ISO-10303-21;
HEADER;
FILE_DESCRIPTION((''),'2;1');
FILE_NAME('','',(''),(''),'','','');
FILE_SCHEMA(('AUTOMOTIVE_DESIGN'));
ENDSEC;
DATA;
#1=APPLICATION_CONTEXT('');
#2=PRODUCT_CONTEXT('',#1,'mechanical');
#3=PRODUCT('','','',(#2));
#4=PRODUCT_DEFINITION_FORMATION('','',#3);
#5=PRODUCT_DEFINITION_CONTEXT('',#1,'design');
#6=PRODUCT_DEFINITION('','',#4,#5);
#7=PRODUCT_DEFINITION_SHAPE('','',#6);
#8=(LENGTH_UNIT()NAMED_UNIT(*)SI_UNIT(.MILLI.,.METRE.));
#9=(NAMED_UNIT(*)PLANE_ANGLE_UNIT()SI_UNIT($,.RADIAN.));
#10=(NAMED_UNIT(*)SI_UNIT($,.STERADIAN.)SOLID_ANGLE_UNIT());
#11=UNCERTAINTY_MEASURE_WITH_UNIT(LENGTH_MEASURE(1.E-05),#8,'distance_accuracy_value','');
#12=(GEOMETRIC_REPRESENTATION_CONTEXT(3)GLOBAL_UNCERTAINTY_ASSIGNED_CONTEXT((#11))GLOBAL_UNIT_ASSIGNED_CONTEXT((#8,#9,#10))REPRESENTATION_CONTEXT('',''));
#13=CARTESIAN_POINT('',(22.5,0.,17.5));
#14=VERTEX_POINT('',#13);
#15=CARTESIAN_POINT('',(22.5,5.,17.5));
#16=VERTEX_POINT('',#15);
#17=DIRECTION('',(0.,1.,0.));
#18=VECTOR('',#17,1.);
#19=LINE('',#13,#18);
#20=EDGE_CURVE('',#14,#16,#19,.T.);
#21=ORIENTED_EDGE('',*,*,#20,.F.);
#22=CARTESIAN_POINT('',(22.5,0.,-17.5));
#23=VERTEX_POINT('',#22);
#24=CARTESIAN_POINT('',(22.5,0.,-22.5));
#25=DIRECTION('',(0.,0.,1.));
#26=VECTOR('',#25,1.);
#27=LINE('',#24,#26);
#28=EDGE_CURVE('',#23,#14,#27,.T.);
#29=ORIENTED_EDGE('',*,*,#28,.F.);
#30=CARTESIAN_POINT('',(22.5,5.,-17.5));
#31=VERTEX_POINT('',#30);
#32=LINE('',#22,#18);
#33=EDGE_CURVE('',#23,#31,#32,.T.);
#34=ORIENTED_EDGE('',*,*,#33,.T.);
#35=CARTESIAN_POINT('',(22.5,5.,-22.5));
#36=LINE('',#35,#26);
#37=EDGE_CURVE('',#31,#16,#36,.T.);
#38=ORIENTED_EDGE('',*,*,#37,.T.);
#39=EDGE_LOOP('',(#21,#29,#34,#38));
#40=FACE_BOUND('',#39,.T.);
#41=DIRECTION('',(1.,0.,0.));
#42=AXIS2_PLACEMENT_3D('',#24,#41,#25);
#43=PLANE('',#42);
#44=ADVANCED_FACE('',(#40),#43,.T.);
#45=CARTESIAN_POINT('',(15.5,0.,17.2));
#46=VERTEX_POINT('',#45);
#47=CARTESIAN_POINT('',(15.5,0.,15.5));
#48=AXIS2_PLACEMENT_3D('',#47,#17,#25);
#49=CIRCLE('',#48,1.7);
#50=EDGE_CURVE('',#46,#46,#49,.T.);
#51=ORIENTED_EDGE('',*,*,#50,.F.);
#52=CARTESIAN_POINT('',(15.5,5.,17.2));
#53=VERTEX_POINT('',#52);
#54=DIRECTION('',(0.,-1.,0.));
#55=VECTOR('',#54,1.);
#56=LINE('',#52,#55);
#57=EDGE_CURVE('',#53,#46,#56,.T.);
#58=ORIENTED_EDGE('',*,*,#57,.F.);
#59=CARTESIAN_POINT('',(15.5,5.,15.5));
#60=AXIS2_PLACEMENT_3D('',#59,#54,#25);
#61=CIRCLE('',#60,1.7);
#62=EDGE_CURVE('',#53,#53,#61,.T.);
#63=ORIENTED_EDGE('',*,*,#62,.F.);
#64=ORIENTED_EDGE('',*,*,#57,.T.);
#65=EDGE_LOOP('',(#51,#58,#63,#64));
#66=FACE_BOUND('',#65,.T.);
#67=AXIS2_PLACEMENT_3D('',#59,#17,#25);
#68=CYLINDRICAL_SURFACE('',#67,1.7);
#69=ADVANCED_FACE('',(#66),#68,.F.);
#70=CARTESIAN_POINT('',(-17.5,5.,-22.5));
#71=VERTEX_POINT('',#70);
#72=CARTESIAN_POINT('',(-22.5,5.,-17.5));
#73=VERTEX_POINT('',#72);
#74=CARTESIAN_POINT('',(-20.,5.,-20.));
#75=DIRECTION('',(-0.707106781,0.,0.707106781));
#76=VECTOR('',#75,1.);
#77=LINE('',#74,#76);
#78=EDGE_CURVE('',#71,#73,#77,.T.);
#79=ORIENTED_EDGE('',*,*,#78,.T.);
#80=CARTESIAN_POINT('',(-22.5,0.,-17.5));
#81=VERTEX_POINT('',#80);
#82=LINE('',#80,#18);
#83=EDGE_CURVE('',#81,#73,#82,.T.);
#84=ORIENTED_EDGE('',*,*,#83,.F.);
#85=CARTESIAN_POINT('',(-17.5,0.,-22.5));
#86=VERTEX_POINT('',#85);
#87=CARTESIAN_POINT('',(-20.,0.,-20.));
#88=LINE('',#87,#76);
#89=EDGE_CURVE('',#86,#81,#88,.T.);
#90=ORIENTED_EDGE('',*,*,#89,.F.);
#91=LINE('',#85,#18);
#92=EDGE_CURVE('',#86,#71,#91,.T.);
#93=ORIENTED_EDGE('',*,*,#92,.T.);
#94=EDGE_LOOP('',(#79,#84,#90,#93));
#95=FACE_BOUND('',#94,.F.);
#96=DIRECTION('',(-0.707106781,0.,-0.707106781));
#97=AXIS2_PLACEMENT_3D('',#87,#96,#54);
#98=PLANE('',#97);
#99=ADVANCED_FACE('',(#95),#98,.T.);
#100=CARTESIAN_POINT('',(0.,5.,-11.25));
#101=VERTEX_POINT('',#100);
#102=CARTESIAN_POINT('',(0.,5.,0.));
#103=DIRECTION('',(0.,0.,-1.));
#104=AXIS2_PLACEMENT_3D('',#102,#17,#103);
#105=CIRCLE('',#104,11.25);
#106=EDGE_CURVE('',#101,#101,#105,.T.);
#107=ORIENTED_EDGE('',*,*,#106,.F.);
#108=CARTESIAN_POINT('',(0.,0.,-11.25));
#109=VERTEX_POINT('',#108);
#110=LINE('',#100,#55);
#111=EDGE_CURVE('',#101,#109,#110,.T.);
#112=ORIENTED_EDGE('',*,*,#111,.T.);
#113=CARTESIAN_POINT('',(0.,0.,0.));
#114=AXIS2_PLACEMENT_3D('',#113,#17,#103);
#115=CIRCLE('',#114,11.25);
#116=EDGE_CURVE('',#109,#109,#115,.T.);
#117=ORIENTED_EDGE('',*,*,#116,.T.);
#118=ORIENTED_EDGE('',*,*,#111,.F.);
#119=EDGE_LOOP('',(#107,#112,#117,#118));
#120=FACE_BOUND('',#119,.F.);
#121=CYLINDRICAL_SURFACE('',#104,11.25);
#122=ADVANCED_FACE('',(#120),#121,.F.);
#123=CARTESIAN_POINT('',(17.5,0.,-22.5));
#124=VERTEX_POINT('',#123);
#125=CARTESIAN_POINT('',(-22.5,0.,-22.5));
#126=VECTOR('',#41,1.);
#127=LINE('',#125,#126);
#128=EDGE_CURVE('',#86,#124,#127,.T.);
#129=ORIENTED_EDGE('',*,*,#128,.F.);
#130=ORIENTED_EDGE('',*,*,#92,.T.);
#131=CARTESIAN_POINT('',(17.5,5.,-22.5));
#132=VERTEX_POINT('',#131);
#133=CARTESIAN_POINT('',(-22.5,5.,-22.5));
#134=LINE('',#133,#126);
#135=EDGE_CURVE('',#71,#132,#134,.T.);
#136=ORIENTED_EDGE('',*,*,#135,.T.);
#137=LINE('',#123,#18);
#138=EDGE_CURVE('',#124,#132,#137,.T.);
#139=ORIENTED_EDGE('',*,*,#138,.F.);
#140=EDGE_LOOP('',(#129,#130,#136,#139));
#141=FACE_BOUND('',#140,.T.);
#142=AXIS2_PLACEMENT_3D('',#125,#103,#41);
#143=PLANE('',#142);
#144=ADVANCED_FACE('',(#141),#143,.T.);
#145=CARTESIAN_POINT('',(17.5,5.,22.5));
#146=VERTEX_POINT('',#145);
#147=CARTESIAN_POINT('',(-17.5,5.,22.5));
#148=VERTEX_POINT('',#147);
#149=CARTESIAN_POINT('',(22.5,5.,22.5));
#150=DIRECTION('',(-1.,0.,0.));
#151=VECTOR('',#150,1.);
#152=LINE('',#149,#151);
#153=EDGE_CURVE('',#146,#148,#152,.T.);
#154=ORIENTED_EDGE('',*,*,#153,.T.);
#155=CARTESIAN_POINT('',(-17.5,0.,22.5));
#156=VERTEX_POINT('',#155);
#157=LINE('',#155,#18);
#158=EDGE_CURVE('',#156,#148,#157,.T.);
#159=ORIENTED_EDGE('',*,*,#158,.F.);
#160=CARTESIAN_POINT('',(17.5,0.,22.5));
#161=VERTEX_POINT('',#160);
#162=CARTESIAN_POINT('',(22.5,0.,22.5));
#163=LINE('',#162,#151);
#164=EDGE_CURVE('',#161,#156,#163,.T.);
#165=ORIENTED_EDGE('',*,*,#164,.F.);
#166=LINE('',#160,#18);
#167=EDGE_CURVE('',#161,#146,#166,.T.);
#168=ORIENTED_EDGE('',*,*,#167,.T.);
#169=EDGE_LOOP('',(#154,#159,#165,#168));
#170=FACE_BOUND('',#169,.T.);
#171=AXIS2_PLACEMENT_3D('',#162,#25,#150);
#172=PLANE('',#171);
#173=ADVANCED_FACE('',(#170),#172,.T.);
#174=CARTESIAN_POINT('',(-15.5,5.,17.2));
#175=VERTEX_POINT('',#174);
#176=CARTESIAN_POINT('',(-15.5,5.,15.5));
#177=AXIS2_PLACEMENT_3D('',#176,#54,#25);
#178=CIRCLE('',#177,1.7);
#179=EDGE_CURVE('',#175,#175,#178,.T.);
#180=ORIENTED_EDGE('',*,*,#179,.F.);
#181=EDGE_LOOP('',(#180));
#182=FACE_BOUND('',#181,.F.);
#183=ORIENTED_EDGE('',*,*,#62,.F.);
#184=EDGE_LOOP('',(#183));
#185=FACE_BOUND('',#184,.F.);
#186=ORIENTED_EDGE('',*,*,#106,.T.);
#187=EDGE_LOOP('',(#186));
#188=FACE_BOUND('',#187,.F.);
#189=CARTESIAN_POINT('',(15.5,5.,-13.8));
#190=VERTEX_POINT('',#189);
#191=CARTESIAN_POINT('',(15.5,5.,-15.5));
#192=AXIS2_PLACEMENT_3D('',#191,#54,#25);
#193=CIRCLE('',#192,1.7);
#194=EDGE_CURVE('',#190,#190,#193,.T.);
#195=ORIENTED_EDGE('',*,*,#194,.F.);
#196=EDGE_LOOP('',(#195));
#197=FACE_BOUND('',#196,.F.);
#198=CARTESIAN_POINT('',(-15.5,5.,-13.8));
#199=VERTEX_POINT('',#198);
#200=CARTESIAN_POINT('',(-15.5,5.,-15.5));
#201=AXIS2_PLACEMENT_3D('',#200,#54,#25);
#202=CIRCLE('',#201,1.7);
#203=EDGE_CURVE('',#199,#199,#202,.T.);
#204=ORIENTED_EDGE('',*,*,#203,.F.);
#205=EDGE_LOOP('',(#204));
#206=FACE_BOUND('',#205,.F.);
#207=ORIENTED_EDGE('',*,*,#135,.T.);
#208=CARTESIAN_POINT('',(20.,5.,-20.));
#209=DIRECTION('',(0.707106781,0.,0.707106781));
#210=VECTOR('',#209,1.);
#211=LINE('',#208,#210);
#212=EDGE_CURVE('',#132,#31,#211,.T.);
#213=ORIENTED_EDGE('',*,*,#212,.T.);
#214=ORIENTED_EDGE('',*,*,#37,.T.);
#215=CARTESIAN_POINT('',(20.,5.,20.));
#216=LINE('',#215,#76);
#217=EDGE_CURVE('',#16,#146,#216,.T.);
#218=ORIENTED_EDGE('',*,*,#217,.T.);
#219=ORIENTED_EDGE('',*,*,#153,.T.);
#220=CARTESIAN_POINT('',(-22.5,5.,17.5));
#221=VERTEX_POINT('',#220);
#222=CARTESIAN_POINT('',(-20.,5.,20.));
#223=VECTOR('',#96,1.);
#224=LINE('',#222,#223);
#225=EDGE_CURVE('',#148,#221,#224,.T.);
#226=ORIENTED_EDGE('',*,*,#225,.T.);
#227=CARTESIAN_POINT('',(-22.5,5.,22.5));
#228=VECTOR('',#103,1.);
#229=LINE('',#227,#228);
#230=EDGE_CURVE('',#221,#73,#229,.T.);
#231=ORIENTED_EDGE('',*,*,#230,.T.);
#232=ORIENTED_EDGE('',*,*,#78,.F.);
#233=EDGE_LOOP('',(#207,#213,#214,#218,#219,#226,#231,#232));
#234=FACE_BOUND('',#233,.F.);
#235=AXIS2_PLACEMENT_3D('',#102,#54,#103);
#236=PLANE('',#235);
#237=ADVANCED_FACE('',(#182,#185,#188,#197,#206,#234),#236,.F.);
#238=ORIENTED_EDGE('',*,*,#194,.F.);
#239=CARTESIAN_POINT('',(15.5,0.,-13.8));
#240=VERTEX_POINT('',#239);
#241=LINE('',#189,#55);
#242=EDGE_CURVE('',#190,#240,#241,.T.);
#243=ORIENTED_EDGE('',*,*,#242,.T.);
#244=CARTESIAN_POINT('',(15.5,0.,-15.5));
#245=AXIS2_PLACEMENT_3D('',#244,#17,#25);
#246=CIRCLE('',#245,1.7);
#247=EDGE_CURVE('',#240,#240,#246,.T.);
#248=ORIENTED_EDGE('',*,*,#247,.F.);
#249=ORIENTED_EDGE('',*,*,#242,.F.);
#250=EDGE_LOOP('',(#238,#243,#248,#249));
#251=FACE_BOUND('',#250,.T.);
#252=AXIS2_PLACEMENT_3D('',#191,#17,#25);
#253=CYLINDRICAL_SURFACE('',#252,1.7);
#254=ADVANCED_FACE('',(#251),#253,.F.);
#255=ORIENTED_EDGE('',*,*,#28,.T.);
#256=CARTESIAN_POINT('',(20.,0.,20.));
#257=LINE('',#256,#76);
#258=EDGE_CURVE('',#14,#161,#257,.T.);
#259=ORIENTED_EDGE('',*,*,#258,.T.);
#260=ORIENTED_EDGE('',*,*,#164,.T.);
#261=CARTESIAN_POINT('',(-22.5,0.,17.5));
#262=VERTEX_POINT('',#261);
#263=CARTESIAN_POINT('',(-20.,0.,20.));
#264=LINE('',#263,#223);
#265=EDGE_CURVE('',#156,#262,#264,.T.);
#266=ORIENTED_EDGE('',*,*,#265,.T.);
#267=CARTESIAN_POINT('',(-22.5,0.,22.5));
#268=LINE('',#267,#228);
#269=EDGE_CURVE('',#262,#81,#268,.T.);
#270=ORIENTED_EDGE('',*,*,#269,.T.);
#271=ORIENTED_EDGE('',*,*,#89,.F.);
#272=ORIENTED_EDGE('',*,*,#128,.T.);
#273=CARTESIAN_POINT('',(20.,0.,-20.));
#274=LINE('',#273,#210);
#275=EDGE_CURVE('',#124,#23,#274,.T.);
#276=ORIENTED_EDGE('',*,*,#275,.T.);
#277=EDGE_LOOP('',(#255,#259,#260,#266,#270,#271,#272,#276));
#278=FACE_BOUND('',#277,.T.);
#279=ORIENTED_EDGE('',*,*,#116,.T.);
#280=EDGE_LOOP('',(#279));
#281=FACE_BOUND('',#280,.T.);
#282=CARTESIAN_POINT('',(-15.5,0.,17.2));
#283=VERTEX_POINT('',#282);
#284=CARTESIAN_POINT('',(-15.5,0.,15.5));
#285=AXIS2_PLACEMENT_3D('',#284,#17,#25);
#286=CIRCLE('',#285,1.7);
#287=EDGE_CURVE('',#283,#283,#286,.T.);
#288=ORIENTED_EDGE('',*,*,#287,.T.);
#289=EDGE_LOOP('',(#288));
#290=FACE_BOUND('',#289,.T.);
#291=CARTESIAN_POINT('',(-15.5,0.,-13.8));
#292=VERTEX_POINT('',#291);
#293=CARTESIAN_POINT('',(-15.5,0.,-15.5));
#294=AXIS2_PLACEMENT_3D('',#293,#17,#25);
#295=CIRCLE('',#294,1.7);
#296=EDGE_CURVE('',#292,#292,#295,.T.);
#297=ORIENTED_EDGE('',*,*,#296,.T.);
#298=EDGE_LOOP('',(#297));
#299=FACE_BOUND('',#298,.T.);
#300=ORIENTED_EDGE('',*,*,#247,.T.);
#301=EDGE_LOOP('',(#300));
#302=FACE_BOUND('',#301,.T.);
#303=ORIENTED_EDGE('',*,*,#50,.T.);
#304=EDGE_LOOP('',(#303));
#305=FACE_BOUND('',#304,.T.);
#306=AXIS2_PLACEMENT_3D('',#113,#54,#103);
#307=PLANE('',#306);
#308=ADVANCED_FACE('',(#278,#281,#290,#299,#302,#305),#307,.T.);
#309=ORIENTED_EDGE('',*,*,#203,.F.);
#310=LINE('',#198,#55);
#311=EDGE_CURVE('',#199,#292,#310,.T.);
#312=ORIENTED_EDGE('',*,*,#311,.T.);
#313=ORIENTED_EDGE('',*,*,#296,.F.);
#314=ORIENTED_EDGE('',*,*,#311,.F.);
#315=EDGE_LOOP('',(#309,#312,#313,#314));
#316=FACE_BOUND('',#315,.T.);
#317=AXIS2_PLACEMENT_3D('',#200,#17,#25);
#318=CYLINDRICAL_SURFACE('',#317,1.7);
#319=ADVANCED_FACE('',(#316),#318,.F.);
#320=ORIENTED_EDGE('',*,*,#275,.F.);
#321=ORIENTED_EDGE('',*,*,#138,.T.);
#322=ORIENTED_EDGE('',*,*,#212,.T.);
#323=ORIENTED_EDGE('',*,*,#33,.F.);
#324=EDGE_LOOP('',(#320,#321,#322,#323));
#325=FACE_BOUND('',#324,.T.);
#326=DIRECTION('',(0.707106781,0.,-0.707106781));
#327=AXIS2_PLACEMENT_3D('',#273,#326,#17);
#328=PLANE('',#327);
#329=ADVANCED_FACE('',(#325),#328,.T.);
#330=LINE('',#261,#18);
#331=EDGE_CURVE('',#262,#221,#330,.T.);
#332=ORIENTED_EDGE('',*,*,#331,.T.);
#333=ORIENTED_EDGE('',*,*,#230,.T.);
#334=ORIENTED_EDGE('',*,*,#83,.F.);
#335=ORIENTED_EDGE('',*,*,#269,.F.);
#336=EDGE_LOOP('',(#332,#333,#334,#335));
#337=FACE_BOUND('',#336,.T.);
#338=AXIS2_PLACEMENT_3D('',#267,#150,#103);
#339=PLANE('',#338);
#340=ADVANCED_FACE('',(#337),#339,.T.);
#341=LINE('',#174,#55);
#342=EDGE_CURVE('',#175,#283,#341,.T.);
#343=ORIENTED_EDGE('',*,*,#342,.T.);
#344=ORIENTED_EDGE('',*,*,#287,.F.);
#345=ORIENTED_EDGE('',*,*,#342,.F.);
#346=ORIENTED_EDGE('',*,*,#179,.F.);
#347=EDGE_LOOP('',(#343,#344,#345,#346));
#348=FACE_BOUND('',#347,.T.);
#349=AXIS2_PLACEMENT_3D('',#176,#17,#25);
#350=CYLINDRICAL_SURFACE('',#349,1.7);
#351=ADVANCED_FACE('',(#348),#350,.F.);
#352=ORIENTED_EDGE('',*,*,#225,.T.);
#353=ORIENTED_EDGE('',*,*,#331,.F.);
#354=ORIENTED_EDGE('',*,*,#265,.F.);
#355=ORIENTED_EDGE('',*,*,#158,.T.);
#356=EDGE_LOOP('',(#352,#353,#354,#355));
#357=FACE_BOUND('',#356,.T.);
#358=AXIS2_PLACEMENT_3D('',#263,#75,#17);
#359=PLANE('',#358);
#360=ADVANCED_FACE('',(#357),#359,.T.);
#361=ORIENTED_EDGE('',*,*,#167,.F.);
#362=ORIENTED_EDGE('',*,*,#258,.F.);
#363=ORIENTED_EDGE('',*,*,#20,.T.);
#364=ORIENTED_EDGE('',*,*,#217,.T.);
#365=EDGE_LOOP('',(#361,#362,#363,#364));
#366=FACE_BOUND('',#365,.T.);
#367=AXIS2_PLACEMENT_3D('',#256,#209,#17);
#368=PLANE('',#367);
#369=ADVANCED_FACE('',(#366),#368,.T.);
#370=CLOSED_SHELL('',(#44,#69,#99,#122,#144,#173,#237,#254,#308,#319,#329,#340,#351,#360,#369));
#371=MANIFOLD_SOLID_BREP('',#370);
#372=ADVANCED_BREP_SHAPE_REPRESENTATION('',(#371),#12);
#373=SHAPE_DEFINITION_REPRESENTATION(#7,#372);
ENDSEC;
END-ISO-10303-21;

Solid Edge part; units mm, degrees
sketch "Sketch1" plane through (0, 0, 0) normal (0, -1, 0) x (1, 0, 0)
  line L0 (-22.5, -22.5) -> (22.5, -22.5)
  line L1 (22.5, -22.5) -> (22.5, 22.5)
  line L2 (22.5, 22.5) -> (-22.5, 22.5)
  line L3 (-22.5, 22.5) -> (-22.5, -22.5)
  dimension "D1" = 45
extrude "Protrusion1" add sketch "Sketch1" against normal blind 5
chamfer "Chamfer_1" distance 5 angle 45 4 edges at (22.5, 2.5, 22.5) (22.5, 2.5, -22.5) (-22.5, 2.5, 22.5) (-22.5, 2.5, -22.5)
hole "Hole_1" at (-15.5, 5, 15.5) direction (0, -1, 0) diameter 3.4 end up to next
hole "Hole1" at (-15.5, 5, -15.5) direction (0, -1, 0) diameter 3.4 end up to next
hole "Hole2" at (15.5, 5, -15.5) direction (0, -1, 0) diameter 3.4 end up to next
hole "Hole3" at (15.5, 5, 15.5) direction (0, -1, 0) diameter 3.4 end up to next
sketch "Sketch2" plane through (0, 5, 0) normal (0, 1, 0) x (0, 0, -1)
  circle A0 centre (0, 0) radius 11.25
  dimension "D1" = 22.5
extrude "Cutout1" cut sketch "Sketch2" against normal up to next
properties material "Polyethylene, low density"
